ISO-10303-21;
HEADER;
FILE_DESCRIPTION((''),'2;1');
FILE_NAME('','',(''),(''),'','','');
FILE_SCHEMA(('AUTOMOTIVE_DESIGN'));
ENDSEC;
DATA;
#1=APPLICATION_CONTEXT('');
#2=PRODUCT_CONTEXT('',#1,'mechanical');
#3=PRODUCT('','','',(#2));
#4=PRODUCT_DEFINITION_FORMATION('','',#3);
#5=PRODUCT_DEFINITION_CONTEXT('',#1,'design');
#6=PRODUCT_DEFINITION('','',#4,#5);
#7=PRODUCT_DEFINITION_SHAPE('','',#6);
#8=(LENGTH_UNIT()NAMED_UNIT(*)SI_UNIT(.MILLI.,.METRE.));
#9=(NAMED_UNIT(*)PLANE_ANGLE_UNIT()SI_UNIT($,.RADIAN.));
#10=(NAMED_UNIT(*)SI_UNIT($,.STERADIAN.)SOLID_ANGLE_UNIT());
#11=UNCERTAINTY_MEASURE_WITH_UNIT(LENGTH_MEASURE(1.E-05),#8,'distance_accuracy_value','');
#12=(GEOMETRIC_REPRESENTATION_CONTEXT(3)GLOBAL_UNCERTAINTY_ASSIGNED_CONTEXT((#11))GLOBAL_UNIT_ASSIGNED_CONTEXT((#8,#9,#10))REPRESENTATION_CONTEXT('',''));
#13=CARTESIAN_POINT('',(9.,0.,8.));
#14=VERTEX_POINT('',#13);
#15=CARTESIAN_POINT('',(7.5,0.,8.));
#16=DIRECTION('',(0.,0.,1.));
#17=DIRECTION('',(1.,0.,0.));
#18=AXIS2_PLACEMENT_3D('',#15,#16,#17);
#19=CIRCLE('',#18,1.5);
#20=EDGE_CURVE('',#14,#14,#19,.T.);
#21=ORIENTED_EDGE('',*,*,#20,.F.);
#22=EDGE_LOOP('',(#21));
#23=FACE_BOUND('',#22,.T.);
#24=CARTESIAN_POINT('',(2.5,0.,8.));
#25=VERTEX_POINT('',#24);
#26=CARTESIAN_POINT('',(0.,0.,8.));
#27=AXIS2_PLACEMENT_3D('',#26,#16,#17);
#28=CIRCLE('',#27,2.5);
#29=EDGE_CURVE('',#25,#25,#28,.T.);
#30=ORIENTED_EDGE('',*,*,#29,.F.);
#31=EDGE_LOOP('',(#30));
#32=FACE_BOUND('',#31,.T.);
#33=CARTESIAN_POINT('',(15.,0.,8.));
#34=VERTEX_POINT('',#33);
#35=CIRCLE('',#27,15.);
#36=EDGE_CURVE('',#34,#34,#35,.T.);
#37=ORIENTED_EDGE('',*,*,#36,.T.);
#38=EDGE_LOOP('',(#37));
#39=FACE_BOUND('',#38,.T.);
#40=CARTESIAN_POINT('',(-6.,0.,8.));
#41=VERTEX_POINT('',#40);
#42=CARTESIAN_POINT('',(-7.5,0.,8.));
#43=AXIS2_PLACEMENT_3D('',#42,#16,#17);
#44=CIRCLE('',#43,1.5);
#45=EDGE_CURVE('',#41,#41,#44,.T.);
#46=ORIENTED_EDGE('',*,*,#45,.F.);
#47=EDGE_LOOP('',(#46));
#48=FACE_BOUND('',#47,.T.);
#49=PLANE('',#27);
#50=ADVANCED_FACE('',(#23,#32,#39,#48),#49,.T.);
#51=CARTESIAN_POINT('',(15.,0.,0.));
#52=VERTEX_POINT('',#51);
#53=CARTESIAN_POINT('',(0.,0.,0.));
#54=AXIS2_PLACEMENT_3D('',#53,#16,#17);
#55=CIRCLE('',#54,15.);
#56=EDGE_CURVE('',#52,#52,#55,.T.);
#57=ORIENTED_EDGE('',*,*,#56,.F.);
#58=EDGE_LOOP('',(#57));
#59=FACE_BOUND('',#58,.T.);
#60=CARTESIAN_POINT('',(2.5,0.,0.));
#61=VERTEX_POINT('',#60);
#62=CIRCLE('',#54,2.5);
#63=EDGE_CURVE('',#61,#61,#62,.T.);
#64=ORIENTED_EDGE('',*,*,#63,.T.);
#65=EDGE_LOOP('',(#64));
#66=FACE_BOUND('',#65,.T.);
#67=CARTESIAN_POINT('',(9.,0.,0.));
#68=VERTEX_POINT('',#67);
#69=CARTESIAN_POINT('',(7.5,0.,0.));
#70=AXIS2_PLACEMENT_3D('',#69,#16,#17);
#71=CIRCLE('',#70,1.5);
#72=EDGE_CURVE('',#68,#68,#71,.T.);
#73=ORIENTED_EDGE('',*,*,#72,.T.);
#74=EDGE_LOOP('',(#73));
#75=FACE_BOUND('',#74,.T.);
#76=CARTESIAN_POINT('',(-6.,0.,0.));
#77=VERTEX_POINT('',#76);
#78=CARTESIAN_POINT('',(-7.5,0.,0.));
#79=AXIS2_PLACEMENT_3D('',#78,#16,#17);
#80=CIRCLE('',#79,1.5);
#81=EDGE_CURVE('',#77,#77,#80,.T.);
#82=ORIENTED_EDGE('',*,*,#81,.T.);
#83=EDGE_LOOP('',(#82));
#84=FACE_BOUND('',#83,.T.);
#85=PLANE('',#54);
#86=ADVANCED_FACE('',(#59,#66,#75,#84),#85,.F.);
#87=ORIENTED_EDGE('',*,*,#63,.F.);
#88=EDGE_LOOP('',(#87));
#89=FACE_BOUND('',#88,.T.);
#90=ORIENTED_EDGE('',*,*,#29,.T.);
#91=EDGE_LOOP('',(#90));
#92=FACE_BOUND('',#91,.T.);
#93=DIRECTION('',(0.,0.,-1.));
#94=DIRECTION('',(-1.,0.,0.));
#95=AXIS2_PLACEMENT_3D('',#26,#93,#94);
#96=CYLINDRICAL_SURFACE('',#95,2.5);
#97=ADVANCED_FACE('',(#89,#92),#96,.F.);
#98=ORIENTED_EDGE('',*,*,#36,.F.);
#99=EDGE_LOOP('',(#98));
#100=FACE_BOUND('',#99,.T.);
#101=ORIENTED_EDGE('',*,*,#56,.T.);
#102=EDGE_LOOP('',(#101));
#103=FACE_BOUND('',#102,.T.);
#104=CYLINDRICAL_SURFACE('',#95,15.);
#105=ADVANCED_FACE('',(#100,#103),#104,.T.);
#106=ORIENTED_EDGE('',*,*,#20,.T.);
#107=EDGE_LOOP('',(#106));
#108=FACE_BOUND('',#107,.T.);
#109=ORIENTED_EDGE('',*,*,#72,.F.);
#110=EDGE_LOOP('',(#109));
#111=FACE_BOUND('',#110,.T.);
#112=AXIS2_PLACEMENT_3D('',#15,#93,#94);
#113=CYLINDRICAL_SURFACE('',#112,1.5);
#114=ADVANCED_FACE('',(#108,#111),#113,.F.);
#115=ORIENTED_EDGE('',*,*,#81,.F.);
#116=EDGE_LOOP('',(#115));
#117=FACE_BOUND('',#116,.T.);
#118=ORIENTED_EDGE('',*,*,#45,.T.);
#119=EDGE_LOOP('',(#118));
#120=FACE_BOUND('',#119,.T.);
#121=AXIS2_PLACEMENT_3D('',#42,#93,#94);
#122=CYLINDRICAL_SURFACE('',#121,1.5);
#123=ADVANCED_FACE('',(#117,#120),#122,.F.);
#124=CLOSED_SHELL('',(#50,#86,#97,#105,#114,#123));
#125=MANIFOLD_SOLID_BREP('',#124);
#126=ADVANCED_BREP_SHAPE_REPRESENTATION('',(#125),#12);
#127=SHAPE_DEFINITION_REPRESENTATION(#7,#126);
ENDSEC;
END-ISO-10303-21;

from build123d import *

# Parameters (mm, degrees)
SKETCH1_R           = 15
SKETCH1_R_2         = 2.5
SKETCH1_R_3         = 1.5
BOSS_EXTRUDE1_DEPTH = 8


with BuildPart() as part:
    # Sketch1 → Boss-Extrude1 (new body)
    with BuildSketch(Plane.XY):
        Circle(SKETCH1_R)
        Circle(SKETCH1_R_2, mode=Mode.SUBTRACT)
        with Locations((7.5, 0)):
            Circle(SKETCH1_R_3, mode=Mode.SUBTRACT)
        with Locations((-7.5, 0)):
            Circle(SKETCH1_R_3, mode=Mode.SUBTRACT)
    extrude(amount=BOSS_EXTRUDE1_DEPTH)


solid = part.part
